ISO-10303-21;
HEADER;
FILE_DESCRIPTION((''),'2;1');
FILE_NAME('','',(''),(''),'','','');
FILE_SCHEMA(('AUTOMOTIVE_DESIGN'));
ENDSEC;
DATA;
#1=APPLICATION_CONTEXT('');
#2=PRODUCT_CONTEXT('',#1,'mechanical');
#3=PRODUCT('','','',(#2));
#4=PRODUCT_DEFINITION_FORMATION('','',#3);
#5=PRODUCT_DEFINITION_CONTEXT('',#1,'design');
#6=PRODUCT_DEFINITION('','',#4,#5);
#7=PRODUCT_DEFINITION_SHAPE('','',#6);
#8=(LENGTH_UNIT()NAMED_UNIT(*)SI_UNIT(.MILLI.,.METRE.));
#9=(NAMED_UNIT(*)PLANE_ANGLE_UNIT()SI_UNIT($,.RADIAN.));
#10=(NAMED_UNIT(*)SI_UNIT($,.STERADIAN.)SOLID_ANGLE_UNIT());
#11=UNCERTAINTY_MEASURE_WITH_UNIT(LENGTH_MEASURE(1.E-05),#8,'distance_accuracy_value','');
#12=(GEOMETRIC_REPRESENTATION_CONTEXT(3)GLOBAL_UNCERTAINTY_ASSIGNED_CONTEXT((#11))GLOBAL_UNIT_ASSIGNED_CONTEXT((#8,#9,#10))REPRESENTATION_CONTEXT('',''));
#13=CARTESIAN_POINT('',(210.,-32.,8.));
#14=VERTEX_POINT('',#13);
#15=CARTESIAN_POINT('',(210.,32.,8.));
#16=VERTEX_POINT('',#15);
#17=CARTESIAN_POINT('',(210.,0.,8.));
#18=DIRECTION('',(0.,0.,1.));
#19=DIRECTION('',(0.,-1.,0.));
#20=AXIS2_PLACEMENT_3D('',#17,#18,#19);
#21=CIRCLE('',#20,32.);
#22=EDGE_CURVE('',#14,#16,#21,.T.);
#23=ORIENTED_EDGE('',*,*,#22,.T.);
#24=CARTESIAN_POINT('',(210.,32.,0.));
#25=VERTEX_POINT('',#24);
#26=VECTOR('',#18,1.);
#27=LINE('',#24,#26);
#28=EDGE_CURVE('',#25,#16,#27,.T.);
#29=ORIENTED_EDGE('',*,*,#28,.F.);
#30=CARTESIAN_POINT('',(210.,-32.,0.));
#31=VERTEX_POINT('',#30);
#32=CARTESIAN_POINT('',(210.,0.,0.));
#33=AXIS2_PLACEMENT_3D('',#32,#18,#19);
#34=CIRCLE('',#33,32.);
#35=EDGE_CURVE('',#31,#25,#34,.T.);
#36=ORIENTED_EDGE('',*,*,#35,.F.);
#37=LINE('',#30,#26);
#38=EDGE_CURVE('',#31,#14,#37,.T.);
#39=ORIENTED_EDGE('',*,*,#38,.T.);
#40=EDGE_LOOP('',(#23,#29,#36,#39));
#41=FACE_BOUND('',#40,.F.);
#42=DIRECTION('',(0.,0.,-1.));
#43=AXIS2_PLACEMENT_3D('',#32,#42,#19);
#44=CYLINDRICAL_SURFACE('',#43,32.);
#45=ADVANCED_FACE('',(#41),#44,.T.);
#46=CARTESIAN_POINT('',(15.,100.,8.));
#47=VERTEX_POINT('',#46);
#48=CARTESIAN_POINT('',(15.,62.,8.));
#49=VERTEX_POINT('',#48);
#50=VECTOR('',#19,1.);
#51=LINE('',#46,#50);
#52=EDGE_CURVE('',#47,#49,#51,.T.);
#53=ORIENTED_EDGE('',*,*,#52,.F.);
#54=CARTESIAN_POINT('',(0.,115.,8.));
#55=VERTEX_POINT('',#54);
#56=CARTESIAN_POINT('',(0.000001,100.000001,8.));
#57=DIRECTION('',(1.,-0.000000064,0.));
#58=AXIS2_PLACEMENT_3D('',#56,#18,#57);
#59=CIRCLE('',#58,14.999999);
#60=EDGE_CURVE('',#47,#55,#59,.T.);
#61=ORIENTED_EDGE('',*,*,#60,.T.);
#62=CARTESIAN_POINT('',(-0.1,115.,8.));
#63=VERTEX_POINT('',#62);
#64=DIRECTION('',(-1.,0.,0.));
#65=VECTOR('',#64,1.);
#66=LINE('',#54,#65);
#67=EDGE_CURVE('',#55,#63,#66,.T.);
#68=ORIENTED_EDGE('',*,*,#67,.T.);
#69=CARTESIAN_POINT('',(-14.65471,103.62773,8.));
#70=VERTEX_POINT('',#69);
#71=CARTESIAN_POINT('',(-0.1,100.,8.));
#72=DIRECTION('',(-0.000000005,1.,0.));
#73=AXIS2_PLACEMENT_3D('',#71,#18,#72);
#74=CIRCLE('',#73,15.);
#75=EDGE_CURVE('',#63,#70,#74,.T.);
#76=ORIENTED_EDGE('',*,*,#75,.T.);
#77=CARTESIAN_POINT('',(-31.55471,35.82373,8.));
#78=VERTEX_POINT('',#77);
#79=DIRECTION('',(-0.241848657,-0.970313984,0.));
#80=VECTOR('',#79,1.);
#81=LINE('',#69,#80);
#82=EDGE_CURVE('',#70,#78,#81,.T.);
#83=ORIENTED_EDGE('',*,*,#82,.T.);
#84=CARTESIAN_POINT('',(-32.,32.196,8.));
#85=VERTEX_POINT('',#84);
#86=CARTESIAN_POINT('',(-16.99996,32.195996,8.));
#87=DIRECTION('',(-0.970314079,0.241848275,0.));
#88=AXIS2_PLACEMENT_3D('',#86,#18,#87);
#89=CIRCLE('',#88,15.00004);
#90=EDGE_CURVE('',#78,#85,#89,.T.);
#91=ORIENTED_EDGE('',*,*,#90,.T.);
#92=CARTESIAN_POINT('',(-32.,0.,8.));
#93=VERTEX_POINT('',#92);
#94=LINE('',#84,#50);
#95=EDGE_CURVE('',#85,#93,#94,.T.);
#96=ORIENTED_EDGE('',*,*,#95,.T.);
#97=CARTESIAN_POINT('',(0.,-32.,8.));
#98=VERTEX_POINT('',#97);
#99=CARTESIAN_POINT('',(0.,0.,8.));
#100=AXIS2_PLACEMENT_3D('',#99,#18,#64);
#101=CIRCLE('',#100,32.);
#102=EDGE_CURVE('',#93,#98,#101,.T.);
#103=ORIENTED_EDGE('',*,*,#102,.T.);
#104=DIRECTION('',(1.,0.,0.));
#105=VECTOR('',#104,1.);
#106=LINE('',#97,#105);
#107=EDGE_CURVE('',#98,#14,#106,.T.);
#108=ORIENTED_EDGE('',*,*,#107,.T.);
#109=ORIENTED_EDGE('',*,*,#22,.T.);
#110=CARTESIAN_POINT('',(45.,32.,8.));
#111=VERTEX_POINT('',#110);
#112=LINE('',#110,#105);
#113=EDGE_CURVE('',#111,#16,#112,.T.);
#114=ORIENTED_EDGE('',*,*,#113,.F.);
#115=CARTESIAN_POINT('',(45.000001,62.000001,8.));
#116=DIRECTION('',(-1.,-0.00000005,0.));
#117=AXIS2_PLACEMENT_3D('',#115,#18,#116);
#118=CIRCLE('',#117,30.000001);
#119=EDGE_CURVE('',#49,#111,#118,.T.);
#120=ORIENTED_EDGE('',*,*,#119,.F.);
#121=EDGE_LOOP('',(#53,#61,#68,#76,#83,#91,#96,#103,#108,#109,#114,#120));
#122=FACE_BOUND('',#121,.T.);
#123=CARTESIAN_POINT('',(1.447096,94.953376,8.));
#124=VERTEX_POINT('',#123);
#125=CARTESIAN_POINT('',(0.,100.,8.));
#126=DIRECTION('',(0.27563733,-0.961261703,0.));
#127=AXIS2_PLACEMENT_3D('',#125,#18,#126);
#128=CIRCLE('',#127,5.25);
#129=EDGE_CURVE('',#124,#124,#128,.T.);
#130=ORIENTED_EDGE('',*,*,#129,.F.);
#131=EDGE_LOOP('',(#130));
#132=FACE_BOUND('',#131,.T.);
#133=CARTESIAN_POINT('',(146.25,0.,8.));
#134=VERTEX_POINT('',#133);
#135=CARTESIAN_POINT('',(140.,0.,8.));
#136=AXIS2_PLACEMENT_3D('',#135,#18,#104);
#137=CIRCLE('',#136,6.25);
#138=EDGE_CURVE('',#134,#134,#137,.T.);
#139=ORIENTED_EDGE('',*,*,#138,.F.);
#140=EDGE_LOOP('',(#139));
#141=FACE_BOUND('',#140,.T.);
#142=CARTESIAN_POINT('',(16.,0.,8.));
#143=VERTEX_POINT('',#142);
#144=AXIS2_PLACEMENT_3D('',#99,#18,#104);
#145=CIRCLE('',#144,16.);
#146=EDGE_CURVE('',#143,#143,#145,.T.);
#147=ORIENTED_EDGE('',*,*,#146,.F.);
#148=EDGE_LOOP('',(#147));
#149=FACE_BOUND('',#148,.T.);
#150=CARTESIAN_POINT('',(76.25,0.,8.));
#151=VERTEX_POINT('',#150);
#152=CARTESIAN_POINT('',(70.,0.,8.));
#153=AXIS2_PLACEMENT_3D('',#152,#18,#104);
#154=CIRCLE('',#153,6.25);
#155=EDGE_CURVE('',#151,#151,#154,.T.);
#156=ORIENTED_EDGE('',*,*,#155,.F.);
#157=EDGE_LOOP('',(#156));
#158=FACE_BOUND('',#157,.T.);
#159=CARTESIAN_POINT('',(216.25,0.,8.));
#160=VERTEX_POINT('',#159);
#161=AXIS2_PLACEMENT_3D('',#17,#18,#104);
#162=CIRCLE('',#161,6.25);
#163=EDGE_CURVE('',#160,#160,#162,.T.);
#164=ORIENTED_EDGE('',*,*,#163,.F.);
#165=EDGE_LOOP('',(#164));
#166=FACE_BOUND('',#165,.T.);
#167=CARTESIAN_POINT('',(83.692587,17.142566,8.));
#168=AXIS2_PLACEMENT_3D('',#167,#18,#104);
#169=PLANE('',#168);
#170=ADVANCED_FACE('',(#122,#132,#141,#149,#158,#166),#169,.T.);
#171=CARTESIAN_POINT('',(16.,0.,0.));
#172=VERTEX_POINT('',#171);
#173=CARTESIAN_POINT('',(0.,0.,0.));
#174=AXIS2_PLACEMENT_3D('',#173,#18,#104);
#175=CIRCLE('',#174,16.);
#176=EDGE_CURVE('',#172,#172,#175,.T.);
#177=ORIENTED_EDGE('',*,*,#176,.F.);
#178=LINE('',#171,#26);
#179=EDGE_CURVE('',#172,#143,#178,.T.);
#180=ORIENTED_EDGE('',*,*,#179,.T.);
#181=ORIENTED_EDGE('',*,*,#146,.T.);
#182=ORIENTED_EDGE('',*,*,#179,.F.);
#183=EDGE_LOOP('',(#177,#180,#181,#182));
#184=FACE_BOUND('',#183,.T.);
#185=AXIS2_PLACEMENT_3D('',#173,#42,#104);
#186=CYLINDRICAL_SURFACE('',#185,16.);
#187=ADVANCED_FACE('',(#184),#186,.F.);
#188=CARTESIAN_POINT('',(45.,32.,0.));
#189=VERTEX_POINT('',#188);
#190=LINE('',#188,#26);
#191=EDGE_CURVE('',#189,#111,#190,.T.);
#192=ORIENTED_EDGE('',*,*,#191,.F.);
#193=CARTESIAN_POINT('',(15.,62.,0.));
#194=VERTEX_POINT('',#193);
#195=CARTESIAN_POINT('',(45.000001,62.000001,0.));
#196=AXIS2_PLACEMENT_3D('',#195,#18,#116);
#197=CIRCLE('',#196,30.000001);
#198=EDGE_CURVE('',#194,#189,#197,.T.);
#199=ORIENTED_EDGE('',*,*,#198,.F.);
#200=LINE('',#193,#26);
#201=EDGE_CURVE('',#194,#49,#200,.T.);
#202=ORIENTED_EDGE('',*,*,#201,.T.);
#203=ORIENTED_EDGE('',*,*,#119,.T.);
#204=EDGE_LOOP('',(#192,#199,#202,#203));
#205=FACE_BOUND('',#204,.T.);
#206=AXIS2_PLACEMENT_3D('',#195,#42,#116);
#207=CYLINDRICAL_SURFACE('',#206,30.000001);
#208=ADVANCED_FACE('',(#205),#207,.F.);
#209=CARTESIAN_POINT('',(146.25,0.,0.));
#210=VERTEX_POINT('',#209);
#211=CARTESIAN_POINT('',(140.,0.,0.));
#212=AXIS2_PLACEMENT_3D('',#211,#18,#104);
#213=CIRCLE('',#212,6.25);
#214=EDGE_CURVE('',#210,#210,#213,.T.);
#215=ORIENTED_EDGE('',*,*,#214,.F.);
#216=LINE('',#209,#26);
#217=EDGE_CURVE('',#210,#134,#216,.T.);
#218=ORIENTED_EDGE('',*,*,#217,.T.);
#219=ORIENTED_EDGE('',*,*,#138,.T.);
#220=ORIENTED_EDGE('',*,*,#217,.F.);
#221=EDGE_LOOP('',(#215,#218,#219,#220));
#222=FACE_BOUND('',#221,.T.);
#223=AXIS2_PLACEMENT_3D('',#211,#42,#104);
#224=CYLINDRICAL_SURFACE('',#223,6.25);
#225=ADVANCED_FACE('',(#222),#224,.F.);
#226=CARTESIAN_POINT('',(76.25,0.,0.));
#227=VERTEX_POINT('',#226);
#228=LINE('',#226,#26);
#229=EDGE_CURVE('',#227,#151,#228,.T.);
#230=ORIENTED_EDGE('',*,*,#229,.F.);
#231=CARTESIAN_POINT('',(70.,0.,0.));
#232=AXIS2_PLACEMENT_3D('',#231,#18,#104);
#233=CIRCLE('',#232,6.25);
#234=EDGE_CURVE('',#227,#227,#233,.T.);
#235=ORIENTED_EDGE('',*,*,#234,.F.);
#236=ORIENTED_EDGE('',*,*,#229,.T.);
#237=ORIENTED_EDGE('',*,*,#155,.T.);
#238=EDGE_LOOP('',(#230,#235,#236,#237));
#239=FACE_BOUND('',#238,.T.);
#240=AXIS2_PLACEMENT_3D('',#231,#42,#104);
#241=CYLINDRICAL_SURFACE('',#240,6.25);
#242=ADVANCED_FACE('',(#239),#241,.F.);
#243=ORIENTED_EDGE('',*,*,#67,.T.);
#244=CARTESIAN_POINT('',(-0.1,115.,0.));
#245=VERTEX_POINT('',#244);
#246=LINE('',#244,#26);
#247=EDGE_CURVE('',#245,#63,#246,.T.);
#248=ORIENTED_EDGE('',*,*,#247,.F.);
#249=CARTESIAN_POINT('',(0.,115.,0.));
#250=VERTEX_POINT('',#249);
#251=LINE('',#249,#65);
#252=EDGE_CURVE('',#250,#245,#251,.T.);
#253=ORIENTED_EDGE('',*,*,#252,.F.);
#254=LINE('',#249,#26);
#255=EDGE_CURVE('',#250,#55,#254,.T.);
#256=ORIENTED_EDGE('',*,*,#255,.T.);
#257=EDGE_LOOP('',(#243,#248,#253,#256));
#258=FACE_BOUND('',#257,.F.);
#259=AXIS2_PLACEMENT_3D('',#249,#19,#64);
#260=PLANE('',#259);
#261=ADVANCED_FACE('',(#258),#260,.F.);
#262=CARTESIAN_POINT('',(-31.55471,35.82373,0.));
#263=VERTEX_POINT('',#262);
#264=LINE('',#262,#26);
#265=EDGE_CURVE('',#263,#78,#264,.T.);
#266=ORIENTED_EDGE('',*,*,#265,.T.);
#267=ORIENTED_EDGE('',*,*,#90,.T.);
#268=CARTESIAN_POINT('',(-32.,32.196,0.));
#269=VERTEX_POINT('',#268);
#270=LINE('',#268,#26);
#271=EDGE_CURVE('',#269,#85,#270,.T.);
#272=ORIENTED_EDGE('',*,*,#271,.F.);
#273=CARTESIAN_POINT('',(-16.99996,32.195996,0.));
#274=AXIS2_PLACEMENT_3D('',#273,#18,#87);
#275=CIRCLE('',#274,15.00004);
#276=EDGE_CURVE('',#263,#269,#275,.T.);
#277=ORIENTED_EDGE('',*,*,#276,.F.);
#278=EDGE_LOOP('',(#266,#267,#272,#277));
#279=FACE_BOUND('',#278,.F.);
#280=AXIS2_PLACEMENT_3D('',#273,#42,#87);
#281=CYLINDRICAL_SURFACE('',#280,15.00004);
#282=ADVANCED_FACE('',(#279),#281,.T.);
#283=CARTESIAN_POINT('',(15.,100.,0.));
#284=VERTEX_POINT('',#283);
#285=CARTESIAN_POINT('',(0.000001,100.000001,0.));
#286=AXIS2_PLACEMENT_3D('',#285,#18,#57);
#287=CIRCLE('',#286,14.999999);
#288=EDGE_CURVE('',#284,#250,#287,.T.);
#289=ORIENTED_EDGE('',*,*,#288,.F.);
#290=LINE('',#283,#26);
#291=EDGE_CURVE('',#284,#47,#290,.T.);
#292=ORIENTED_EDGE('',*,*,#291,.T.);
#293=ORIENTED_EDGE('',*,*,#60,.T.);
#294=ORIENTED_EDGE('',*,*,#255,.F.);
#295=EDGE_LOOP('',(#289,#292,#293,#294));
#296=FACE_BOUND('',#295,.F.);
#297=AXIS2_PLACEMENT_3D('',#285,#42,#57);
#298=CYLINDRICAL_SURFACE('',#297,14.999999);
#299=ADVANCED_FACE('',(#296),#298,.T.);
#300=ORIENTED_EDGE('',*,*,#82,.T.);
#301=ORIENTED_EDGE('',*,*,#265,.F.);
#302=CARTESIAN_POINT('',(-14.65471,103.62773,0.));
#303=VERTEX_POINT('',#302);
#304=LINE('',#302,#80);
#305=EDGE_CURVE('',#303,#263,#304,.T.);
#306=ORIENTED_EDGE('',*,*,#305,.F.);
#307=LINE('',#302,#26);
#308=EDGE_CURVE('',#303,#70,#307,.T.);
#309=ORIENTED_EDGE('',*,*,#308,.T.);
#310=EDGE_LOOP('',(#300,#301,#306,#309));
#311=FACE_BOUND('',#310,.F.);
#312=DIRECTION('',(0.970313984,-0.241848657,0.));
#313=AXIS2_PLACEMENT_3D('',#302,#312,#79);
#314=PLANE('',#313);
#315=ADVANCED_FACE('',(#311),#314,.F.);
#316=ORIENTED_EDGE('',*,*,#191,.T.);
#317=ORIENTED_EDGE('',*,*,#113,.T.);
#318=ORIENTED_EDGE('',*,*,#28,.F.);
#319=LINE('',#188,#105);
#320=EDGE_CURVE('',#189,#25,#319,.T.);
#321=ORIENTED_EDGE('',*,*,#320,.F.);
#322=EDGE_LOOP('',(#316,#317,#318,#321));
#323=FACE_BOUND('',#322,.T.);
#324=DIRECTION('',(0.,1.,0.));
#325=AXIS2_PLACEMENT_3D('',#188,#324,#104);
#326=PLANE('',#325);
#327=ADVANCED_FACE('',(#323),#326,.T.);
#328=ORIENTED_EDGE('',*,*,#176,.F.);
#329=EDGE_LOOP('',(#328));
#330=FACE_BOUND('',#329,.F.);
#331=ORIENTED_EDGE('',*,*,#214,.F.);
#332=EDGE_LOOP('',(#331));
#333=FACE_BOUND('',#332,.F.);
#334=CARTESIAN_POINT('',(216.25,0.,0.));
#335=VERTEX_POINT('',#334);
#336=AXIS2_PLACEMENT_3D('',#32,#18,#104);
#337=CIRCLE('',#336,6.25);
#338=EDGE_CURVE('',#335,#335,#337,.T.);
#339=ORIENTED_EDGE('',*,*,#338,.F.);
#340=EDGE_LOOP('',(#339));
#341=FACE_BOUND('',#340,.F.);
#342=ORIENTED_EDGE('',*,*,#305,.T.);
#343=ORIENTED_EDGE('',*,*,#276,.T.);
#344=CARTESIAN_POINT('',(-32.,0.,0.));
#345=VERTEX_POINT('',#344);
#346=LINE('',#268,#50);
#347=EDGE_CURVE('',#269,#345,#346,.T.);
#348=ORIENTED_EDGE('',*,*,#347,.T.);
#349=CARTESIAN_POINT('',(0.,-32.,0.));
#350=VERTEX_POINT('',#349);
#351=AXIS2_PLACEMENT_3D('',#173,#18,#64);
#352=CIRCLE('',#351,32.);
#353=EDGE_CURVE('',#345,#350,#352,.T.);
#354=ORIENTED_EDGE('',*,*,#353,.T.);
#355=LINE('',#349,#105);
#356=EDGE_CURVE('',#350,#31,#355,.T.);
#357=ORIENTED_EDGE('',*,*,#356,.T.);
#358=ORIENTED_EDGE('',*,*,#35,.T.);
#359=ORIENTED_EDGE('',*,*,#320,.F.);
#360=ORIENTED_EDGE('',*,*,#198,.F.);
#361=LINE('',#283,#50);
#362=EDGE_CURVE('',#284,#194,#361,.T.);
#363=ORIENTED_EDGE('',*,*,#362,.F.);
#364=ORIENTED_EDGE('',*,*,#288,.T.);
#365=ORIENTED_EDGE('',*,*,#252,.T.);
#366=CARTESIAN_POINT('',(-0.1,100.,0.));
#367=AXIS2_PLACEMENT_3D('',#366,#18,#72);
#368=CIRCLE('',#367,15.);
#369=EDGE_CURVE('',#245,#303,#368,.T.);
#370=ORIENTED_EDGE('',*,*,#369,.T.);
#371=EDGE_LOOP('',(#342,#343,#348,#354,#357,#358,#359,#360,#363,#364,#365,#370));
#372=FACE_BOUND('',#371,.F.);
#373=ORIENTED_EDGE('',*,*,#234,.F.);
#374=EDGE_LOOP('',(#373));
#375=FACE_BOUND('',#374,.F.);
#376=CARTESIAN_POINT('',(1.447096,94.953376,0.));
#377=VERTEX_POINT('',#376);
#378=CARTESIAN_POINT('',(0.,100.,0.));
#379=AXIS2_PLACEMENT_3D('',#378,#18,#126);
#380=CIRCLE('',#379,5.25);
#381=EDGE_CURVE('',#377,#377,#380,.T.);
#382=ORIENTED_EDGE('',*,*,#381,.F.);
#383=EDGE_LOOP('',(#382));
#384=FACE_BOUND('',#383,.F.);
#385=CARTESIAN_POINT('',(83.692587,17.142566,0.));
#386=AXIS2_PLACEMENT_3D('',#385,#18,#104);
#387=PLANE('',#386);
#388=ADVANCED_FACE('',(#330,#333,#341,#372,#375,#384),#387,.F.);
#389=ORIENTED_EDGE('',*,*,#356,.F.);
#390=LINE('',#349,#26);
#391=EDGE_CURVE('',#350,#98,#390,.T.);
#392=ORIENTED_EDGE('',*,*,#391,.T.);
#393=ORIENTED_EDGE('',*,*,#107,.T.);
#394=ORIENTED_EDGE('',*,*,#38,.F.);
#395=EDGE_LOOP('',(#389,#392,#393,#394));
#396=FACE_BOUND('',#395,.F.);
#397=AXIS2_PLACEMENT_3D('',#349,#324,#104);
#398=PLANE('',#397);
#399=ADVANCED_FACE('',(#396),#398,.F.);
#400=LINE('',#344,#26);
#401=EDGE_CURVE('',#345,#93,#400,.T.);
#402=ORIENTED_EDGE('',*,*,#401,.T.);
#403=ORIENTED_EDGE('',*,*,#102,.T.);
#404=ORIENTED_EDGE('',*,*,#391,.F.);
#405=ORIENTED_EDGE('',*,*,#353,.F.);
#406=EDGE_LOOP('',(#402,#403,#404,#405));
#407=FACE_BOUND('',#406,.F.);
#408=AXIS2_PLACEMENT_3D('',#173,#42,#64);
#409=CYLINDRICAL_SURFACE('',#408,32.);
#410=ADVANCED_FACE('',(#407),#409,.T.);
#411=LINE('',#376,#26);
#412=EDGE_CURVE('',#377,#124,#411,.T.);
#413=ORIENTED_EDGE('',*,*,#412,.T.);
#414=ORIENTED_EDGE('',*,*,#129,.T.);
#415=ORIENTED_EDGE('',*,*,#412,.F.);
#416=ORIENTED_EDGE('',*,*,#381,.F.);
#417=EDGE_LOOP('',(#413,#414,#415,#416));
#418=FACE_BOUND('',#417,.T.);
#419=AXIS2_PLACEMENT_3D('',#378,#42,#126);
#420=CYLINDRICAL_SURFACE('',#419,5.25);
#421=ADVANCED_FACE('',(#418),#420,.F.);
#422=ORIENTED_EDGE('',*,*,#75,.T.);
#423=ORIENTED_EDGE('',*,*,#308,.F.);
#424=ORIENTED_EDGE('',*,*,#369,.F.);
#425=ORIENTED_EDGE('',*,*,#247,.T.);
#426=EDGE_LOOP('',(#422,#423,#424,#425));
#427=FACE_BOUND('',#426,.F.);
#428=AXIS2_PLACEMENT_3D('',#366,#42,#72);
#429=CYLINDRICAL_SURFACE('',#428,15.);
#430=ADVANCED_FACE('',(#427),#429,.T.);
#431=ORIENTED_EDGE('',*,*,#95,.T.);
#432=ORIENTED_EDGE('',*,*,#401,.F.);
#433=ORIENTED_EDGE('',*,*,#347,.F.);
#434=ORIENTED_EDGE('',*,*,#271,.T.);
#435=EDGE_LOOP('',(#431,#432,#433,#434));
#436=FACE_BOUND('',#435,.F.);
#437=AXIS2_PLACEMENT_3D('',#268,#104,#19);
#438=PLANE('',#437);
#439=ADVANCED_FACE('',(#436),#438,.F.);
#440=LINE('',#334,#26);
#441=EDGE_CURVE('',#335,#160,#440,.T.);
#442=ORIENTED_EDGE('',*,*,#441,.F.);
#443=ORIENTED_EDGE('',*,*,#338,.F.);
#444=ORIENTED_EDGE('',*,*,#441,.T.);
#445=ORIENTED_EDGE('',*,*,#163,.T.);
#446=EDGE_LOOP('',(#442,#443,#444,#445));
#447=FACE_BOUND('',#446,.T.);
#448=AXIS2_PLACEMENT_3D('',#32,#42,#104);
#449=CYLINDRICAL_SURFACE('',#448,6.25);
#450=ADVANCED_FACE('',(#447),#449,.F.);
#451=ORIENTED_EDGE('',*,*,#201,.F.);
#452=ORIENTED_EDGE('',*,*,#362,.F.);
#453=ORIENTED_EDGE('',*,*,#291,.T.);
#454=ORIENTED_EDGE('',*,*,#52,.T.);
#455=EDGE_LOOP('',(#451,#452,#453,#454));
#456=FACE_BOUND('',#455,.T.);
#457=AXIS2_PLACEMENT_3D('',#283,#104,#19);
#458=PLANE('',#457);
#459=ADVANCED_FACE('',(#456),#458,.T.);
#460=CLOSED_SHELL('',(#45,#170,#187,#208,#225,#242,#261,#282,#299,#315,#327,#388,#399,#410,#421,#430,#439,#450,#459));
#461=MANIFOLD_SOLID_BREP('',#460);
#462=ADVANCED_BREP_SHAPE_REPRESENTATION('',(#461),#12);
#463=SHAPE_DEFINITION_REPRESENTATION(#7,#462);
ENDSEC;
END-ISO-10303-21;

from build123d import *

# Parameters (mm, degrees)
SKETCH_R   = 16
SKETCH_R_2 = 6.25
PAD_DEPTH  = 8


with BuildPart() as part:
    # Sketch → Pad (new body)
    with BuildSketch(Plane.XY):
        with BuildLine():
            ThreePointArc((-32, 0), (-22.627417, -22.627417), (0, -32))
            Line((0, -32), (210, -32))
            ThreePointArc((210, -32), (242, 0), (210, 32))
            Line((45, 32), (210, 32))
            ThreePointArc((15, 62), (23.786797, 40.786797), (45, 32))
            Line((15, 100), (15, 62))
            ThreePointArc((15, 100), (10.606602, 110.606602), (0, 115))
            Line((0, 115), (-0.1, 115))
            ThreePointArc((-0.1, 115), (-9.335368, 111.819813), (-14.65471, 103.62773))
            Line((-14.65471, 103.62773), (-31.55471, 35.82373))
            ThreePointArc((-31.55471, 35.82373), (-31.888261, 34.023479), (-32, 32.196))
            Line((-32, 32.196), (-32, 0))
        make_face()
        Circle(SKETCH_R, mode=Mode.SUBTRACT)
        with Locations((70, 0)):
            Circle(SKETCH_R_2, mode=Mode.SUBTRACT)
        with Locations((140, 0)):
            Circle(SKETCH_R_2, mode=Mode.SUBTRACT)
        with Locations((210, 0)):
            Circle(SKETCH_R_2, mode=Mode.SUBTRACT)
        with BuildLine():
            ThreePointArc((-1.447096, 105.046624), (-5.046624, 98.552904), (1.447096, 94.953376))
            ThreePointArc((1.447096, 94.953376), (5.046624, 101.447096), (-1.447096, 105.046624))
        make_face(mode=Mode.SUBTRACT)
    extrude(amount=PAD_DEPTH)


solid = part.part
